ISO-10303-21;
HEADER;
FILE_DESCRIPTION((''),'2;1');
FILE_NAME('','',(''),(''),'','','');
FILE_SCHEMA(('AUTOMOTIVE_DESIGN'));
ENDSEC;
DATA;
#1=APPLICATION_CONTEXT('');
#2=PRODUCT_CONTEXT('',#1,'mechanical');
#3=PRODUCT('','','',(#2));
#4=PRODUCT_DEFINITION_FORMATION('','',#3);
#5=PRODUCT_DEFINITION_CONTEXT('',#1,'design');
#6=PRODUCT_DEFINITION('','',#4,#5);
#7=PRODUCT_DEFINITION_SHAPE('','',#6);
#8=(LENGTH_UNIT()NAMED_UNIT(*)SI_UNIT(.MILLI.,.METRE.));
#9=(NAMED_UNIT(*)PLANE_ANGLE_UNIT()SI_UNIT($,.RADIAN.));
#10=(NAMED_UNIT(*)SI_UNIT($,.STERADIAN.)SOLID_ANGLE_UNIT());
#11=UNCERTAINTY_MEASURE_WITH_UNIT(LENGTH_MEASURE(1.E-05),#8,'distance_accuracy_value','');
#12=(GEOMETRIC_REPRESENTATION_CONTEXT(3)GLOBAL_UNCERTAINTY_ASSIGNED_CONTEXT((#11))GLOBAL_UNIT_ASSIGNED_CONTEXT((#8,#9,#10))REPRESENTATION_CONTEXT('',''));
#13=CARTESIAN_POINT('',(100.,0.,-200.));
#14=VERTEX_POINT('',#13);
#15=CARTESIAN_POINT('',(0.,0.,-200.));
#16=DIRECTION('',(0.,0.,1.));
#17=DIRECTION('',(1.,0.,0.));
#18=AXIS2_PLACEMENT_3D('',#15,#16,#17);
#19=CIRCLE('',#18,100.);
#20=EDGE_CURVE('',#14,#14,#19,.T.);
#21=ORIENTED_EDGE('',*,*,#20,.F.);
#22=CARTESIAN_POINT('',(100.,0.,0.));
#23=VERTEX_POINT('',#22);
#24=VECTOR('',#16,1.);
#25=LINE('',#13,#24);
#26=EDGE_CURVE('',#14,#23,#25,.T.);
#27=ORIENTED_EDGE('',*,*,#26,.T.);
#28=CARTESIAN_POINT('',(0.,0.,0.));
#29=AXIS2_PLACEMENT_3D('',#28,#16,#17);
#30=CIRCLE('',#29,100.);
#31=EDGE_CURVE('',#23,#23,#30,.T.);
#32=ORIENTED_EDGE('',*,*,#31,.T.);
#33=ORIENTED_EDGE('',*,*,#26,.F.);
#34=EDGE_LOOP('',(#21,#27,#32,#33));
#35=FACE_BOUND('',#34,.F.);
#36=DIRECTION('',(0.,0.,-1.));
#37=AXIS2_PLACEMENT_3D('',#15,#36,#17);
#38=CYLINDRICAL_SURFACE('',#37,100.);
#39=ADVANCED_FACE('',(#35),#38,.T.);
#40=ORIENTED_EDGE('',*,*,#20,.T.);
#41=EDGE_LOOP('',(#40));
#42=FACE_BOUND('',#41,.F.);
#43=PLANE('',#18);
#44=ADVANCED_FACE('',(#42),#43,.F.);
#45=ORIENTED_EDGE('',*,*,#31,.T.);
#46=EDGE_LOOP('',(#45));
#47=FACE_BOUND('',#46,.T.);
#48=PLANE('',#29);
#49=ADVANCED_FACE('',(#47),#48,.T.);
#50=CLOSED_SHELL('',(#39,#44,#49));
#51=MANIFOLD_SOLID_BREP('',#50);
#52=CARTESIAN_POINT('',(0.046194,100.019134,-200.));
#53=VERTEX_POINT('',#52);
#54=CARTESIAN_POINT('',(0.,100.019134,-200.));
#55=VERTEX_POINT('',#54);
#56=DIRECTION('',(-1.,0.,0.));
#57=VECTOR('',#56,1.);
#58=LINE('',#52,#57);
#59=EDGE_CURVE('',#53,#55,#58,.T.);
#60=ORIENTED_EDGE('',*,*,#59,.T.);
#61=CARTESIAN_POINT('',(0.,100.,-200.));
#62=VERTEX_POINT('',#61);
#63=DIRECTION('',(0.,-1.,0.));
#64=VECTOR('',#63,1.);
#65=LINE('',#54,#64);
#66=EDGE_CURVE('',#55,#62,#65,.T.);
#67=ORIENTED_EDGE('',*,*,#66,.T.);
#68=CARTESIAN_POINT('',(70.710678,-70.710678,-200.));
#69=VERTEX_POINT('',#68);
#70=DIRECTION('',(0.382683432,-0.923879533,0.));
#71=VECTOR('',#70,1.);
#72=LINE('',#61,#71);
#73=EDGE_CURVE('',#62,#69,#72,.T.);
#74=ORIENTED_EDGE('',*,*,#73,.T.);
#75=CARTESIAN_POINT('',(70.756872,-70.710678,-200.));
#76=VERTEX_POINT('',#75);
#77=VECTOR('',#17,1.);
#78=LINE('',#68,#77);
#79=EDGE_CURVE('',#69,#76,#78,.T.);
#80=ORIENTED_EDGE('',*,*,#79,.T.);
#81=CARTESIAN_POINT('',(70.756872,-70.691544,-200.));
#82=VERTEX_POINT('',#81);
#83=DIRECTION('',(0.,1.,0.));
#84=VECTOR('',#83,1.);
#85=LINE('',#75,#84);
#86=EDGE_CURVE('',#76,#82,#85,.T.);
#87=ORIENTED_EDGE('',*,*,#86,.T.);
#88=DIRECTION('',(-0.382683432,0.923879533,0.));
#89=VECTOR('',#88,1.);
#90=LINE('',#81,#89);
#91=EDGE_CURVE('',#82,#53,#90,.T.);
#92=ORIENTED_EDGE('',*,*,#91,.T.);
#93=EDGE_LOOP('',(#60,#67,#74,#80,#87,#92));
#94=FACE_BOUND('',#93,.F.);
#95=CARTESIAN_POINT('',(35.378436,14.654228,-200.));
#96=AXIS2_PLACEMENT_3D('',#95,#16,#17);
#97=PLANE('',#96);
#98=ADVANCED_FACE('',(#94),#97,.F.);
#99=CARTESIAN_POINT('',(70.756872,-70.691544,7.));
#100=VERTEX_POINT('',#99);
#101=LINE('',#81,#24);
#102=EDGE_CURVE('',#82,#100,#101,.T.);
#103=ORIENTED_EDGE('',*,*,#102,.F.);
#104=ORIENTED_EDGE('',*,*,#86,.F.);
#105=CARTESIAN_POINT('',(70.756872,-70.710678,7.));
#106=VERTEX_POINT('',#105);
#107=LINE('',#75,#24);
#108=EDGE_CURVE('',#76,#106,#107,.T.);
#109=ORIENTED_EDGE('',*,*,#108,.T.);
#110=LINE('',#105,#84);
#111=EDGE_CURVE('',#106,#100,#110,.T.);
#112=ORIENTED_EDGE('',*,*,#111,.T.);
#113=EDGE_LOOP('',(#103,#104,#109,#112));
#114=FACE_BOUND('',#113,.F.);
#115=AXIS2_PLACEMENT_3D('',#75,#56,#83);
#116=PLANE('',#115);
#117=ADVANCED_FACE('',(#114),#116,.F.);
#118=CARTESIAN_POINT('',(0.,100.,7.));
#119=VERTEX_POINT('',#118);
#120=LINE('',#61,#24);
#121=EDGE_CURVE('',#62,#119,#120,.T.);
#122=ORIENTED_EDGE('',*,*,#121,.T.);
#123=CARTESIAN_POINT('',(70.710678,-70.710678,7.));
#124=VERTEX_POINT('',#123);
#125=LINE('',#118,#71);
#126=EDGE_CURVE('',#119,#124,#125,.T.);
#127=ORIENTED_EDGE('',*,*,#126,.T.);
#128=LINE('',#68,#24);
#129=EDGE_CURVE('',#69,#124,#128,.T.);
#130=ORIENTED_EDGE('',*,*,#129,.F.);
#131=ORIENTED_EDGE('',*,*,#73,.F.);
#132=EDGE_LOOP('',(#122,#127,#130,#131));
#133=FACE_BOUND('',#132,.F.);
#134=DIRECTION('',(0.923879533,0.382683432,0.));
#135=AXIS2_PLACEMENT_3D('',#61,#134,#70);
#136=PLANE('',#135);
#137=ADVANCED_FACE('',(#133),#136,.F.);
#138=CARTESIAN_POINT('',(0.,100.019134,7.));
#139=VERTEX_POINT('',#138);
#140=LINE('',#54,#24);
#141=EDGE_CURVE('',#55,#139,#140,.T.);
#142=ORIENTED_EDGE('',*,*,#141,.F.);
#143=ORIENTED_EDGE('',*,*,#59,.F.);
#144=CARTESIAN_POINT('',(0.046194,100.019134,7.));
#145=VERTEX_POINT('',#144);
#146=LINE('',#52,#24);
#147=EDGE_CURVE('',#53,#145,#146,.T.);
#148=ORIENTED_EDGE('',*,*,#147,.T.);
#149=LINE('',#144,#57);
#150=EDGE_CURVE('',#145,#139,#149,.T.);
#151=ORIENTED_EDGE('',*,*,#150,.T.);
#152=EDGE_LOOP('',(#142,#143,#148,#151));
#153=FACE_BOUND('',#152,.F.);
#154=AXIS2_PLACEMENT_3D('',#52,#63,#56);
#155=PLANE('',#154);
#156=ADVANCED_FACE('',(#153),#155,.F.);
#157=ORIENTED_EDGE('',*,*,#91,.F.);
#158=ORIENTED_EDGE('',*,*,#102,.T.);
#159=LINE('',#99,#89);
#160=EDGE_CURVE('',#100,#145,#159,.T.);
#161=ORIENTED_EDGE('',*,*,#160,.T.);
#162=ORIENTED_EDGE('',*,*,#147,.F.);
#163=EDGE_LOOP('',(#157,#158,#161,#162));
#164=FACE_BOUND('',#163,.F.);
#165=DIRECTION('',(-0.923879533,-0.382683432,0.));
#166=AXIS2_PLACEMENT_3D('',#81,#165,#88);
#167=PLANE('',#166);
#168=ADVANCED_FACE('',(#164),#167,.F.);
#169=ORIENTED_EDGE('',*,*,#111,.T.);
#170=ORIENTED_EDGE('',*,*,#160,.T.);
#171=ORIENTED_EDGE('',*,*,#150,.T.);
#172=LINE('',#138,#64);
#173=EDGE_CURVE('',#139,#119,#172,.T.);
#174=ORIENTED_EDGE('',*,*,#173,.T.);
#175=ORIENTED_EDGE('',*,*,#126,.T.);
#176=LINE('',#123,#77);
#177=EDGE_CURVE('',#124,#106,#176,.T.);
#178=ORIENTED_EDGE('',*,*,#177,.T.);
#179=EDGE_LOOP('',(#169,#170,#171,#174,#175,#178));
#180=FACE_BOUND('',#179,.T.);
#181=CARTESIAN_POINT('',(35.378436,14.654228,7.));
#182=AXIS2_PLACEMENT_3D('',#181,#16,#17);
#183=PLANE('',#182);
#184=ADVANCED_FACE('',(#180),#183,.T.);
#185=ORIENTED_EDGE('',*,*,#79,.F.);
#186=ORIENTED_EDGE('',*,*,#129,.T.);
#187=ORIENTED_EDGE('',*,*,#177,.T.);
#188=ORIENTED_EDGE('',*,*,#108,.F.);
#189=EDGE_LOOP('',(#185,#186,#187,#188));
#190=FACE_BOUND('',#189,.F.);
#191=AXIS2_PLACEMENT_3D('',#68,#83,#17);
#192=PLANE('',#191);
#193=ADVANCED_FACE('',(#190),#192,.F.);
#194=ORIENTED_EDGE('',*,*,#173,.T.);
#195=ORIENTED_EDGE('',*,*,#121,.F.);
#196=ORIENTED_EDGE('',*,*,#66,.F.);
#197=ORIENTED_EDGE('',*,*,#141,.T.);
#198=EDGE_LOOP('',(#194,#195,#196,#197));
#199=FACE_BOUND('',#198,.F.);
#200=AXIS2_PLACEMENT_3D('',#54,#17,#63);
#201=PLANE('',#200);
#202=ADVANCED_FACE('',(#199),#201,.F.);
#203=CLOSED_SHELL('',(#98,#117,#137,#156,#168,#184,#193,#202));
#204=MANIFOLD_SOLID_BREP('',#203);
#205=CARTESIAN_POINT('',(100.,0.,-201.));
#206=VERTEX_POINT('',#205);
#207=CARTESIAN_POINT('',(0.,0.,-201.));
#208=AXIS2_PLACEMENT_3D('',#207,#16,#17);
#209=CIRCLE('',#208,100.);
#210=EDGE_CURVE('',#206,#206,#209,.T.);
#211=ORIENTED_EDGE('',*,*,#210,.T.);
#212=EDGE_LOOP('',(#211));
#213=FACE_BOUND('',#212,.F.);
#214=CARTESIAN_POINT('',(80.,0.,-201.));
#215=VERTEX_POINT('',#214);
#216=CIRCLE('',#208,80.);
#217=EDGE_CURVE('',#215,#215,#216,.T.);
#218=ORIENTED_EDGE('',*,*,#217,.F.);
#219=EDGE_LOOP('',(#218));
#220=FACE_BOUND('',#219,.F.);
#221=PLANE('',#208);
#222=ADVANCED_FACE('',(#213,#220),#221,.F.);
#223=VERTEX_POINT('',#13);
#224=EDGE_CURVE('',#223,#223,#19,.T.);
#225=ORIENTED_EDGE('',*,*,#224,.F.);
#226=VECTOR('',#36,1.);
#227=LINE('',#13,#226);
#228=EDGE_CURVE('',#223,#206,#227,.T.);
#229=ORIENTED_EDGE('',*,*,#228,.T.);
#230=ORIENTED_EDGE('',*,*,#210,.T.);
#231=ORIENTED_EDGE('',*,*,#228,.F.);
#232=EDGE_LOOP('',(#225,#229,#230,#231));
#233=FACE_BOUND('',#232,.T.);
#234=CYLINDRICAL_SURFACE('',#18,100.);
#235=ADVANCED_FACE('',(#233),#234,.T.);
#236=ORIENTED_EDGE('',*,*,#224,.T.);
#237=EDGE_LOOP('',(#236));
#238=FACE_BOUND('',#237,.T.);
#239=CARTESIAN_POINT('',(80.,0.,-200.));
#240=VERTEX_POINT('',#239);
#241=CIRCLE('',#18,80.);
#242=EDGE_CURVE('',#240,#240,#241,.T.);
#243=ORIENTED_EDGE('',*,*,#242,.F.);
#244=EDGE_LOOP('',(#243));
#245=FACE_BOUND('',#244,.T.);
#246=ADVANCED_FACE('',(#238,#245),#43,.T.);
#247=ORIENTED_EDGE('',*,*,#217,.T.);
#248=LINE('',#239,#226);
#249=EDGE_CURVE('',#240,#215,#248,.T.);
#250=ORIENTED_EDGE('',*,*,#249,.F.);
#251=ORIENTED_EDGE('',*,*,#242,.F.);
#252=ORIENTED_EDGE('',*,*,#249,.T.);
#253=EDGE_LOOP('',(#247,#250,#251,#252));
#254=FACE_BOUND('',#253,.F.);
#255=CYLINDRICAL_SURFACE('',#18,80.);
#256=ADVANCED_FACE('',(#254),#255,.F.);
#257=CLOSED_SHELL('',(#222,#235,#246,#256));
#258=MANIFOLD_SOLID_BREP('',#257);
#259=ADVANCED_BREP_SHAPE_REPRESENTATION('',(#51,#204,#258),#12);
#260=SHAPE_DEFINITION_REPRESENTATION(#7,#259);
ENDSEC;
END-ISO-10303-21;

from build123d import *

# Parameters (mm, degrees)
F4_DEPTH = 207
F2_R     = 100
F2_R_2   = 80
F6_DEPTH = 200
F7_DEPTH = 1


with BuildPart() as f4:
    # F3 (on offset) → F4 (new body)
    with BuildSketch(Plane.XY.offset(-200)):
        Polygon((0, 100.019134), (0, 100), (70.710678, -70.710678), (70.756872, -70.710678), (70.756872, -70.691544), (0.046194, 100.019134), align=None)
    extrude(amount=F4_DEPTH)


with BuildPart() as f6:
    # F2 (on offset) → F6 (new body)
    with BuildSketch(Plane.XY.offset(-200)):
        Circle(F2_R)
        Circle(F2_R_2, mode=Mode.SUBTRACT)
        Circle(F2_R_2)
    extrude(amount=F6_DEPTH)


with BuildPart() as f7:
    # F2 (on offset) → F7 (new body)
    with BuildSketch(Plane.XY.offset(-200)):
        Circle(F2_R)
        Circle(F2_R_2, mode=Mode.SUBTRACT)
    extrude(amount=-F7_DEPTH)


solid = Compound([f4.part, f6.part, f7.part])
